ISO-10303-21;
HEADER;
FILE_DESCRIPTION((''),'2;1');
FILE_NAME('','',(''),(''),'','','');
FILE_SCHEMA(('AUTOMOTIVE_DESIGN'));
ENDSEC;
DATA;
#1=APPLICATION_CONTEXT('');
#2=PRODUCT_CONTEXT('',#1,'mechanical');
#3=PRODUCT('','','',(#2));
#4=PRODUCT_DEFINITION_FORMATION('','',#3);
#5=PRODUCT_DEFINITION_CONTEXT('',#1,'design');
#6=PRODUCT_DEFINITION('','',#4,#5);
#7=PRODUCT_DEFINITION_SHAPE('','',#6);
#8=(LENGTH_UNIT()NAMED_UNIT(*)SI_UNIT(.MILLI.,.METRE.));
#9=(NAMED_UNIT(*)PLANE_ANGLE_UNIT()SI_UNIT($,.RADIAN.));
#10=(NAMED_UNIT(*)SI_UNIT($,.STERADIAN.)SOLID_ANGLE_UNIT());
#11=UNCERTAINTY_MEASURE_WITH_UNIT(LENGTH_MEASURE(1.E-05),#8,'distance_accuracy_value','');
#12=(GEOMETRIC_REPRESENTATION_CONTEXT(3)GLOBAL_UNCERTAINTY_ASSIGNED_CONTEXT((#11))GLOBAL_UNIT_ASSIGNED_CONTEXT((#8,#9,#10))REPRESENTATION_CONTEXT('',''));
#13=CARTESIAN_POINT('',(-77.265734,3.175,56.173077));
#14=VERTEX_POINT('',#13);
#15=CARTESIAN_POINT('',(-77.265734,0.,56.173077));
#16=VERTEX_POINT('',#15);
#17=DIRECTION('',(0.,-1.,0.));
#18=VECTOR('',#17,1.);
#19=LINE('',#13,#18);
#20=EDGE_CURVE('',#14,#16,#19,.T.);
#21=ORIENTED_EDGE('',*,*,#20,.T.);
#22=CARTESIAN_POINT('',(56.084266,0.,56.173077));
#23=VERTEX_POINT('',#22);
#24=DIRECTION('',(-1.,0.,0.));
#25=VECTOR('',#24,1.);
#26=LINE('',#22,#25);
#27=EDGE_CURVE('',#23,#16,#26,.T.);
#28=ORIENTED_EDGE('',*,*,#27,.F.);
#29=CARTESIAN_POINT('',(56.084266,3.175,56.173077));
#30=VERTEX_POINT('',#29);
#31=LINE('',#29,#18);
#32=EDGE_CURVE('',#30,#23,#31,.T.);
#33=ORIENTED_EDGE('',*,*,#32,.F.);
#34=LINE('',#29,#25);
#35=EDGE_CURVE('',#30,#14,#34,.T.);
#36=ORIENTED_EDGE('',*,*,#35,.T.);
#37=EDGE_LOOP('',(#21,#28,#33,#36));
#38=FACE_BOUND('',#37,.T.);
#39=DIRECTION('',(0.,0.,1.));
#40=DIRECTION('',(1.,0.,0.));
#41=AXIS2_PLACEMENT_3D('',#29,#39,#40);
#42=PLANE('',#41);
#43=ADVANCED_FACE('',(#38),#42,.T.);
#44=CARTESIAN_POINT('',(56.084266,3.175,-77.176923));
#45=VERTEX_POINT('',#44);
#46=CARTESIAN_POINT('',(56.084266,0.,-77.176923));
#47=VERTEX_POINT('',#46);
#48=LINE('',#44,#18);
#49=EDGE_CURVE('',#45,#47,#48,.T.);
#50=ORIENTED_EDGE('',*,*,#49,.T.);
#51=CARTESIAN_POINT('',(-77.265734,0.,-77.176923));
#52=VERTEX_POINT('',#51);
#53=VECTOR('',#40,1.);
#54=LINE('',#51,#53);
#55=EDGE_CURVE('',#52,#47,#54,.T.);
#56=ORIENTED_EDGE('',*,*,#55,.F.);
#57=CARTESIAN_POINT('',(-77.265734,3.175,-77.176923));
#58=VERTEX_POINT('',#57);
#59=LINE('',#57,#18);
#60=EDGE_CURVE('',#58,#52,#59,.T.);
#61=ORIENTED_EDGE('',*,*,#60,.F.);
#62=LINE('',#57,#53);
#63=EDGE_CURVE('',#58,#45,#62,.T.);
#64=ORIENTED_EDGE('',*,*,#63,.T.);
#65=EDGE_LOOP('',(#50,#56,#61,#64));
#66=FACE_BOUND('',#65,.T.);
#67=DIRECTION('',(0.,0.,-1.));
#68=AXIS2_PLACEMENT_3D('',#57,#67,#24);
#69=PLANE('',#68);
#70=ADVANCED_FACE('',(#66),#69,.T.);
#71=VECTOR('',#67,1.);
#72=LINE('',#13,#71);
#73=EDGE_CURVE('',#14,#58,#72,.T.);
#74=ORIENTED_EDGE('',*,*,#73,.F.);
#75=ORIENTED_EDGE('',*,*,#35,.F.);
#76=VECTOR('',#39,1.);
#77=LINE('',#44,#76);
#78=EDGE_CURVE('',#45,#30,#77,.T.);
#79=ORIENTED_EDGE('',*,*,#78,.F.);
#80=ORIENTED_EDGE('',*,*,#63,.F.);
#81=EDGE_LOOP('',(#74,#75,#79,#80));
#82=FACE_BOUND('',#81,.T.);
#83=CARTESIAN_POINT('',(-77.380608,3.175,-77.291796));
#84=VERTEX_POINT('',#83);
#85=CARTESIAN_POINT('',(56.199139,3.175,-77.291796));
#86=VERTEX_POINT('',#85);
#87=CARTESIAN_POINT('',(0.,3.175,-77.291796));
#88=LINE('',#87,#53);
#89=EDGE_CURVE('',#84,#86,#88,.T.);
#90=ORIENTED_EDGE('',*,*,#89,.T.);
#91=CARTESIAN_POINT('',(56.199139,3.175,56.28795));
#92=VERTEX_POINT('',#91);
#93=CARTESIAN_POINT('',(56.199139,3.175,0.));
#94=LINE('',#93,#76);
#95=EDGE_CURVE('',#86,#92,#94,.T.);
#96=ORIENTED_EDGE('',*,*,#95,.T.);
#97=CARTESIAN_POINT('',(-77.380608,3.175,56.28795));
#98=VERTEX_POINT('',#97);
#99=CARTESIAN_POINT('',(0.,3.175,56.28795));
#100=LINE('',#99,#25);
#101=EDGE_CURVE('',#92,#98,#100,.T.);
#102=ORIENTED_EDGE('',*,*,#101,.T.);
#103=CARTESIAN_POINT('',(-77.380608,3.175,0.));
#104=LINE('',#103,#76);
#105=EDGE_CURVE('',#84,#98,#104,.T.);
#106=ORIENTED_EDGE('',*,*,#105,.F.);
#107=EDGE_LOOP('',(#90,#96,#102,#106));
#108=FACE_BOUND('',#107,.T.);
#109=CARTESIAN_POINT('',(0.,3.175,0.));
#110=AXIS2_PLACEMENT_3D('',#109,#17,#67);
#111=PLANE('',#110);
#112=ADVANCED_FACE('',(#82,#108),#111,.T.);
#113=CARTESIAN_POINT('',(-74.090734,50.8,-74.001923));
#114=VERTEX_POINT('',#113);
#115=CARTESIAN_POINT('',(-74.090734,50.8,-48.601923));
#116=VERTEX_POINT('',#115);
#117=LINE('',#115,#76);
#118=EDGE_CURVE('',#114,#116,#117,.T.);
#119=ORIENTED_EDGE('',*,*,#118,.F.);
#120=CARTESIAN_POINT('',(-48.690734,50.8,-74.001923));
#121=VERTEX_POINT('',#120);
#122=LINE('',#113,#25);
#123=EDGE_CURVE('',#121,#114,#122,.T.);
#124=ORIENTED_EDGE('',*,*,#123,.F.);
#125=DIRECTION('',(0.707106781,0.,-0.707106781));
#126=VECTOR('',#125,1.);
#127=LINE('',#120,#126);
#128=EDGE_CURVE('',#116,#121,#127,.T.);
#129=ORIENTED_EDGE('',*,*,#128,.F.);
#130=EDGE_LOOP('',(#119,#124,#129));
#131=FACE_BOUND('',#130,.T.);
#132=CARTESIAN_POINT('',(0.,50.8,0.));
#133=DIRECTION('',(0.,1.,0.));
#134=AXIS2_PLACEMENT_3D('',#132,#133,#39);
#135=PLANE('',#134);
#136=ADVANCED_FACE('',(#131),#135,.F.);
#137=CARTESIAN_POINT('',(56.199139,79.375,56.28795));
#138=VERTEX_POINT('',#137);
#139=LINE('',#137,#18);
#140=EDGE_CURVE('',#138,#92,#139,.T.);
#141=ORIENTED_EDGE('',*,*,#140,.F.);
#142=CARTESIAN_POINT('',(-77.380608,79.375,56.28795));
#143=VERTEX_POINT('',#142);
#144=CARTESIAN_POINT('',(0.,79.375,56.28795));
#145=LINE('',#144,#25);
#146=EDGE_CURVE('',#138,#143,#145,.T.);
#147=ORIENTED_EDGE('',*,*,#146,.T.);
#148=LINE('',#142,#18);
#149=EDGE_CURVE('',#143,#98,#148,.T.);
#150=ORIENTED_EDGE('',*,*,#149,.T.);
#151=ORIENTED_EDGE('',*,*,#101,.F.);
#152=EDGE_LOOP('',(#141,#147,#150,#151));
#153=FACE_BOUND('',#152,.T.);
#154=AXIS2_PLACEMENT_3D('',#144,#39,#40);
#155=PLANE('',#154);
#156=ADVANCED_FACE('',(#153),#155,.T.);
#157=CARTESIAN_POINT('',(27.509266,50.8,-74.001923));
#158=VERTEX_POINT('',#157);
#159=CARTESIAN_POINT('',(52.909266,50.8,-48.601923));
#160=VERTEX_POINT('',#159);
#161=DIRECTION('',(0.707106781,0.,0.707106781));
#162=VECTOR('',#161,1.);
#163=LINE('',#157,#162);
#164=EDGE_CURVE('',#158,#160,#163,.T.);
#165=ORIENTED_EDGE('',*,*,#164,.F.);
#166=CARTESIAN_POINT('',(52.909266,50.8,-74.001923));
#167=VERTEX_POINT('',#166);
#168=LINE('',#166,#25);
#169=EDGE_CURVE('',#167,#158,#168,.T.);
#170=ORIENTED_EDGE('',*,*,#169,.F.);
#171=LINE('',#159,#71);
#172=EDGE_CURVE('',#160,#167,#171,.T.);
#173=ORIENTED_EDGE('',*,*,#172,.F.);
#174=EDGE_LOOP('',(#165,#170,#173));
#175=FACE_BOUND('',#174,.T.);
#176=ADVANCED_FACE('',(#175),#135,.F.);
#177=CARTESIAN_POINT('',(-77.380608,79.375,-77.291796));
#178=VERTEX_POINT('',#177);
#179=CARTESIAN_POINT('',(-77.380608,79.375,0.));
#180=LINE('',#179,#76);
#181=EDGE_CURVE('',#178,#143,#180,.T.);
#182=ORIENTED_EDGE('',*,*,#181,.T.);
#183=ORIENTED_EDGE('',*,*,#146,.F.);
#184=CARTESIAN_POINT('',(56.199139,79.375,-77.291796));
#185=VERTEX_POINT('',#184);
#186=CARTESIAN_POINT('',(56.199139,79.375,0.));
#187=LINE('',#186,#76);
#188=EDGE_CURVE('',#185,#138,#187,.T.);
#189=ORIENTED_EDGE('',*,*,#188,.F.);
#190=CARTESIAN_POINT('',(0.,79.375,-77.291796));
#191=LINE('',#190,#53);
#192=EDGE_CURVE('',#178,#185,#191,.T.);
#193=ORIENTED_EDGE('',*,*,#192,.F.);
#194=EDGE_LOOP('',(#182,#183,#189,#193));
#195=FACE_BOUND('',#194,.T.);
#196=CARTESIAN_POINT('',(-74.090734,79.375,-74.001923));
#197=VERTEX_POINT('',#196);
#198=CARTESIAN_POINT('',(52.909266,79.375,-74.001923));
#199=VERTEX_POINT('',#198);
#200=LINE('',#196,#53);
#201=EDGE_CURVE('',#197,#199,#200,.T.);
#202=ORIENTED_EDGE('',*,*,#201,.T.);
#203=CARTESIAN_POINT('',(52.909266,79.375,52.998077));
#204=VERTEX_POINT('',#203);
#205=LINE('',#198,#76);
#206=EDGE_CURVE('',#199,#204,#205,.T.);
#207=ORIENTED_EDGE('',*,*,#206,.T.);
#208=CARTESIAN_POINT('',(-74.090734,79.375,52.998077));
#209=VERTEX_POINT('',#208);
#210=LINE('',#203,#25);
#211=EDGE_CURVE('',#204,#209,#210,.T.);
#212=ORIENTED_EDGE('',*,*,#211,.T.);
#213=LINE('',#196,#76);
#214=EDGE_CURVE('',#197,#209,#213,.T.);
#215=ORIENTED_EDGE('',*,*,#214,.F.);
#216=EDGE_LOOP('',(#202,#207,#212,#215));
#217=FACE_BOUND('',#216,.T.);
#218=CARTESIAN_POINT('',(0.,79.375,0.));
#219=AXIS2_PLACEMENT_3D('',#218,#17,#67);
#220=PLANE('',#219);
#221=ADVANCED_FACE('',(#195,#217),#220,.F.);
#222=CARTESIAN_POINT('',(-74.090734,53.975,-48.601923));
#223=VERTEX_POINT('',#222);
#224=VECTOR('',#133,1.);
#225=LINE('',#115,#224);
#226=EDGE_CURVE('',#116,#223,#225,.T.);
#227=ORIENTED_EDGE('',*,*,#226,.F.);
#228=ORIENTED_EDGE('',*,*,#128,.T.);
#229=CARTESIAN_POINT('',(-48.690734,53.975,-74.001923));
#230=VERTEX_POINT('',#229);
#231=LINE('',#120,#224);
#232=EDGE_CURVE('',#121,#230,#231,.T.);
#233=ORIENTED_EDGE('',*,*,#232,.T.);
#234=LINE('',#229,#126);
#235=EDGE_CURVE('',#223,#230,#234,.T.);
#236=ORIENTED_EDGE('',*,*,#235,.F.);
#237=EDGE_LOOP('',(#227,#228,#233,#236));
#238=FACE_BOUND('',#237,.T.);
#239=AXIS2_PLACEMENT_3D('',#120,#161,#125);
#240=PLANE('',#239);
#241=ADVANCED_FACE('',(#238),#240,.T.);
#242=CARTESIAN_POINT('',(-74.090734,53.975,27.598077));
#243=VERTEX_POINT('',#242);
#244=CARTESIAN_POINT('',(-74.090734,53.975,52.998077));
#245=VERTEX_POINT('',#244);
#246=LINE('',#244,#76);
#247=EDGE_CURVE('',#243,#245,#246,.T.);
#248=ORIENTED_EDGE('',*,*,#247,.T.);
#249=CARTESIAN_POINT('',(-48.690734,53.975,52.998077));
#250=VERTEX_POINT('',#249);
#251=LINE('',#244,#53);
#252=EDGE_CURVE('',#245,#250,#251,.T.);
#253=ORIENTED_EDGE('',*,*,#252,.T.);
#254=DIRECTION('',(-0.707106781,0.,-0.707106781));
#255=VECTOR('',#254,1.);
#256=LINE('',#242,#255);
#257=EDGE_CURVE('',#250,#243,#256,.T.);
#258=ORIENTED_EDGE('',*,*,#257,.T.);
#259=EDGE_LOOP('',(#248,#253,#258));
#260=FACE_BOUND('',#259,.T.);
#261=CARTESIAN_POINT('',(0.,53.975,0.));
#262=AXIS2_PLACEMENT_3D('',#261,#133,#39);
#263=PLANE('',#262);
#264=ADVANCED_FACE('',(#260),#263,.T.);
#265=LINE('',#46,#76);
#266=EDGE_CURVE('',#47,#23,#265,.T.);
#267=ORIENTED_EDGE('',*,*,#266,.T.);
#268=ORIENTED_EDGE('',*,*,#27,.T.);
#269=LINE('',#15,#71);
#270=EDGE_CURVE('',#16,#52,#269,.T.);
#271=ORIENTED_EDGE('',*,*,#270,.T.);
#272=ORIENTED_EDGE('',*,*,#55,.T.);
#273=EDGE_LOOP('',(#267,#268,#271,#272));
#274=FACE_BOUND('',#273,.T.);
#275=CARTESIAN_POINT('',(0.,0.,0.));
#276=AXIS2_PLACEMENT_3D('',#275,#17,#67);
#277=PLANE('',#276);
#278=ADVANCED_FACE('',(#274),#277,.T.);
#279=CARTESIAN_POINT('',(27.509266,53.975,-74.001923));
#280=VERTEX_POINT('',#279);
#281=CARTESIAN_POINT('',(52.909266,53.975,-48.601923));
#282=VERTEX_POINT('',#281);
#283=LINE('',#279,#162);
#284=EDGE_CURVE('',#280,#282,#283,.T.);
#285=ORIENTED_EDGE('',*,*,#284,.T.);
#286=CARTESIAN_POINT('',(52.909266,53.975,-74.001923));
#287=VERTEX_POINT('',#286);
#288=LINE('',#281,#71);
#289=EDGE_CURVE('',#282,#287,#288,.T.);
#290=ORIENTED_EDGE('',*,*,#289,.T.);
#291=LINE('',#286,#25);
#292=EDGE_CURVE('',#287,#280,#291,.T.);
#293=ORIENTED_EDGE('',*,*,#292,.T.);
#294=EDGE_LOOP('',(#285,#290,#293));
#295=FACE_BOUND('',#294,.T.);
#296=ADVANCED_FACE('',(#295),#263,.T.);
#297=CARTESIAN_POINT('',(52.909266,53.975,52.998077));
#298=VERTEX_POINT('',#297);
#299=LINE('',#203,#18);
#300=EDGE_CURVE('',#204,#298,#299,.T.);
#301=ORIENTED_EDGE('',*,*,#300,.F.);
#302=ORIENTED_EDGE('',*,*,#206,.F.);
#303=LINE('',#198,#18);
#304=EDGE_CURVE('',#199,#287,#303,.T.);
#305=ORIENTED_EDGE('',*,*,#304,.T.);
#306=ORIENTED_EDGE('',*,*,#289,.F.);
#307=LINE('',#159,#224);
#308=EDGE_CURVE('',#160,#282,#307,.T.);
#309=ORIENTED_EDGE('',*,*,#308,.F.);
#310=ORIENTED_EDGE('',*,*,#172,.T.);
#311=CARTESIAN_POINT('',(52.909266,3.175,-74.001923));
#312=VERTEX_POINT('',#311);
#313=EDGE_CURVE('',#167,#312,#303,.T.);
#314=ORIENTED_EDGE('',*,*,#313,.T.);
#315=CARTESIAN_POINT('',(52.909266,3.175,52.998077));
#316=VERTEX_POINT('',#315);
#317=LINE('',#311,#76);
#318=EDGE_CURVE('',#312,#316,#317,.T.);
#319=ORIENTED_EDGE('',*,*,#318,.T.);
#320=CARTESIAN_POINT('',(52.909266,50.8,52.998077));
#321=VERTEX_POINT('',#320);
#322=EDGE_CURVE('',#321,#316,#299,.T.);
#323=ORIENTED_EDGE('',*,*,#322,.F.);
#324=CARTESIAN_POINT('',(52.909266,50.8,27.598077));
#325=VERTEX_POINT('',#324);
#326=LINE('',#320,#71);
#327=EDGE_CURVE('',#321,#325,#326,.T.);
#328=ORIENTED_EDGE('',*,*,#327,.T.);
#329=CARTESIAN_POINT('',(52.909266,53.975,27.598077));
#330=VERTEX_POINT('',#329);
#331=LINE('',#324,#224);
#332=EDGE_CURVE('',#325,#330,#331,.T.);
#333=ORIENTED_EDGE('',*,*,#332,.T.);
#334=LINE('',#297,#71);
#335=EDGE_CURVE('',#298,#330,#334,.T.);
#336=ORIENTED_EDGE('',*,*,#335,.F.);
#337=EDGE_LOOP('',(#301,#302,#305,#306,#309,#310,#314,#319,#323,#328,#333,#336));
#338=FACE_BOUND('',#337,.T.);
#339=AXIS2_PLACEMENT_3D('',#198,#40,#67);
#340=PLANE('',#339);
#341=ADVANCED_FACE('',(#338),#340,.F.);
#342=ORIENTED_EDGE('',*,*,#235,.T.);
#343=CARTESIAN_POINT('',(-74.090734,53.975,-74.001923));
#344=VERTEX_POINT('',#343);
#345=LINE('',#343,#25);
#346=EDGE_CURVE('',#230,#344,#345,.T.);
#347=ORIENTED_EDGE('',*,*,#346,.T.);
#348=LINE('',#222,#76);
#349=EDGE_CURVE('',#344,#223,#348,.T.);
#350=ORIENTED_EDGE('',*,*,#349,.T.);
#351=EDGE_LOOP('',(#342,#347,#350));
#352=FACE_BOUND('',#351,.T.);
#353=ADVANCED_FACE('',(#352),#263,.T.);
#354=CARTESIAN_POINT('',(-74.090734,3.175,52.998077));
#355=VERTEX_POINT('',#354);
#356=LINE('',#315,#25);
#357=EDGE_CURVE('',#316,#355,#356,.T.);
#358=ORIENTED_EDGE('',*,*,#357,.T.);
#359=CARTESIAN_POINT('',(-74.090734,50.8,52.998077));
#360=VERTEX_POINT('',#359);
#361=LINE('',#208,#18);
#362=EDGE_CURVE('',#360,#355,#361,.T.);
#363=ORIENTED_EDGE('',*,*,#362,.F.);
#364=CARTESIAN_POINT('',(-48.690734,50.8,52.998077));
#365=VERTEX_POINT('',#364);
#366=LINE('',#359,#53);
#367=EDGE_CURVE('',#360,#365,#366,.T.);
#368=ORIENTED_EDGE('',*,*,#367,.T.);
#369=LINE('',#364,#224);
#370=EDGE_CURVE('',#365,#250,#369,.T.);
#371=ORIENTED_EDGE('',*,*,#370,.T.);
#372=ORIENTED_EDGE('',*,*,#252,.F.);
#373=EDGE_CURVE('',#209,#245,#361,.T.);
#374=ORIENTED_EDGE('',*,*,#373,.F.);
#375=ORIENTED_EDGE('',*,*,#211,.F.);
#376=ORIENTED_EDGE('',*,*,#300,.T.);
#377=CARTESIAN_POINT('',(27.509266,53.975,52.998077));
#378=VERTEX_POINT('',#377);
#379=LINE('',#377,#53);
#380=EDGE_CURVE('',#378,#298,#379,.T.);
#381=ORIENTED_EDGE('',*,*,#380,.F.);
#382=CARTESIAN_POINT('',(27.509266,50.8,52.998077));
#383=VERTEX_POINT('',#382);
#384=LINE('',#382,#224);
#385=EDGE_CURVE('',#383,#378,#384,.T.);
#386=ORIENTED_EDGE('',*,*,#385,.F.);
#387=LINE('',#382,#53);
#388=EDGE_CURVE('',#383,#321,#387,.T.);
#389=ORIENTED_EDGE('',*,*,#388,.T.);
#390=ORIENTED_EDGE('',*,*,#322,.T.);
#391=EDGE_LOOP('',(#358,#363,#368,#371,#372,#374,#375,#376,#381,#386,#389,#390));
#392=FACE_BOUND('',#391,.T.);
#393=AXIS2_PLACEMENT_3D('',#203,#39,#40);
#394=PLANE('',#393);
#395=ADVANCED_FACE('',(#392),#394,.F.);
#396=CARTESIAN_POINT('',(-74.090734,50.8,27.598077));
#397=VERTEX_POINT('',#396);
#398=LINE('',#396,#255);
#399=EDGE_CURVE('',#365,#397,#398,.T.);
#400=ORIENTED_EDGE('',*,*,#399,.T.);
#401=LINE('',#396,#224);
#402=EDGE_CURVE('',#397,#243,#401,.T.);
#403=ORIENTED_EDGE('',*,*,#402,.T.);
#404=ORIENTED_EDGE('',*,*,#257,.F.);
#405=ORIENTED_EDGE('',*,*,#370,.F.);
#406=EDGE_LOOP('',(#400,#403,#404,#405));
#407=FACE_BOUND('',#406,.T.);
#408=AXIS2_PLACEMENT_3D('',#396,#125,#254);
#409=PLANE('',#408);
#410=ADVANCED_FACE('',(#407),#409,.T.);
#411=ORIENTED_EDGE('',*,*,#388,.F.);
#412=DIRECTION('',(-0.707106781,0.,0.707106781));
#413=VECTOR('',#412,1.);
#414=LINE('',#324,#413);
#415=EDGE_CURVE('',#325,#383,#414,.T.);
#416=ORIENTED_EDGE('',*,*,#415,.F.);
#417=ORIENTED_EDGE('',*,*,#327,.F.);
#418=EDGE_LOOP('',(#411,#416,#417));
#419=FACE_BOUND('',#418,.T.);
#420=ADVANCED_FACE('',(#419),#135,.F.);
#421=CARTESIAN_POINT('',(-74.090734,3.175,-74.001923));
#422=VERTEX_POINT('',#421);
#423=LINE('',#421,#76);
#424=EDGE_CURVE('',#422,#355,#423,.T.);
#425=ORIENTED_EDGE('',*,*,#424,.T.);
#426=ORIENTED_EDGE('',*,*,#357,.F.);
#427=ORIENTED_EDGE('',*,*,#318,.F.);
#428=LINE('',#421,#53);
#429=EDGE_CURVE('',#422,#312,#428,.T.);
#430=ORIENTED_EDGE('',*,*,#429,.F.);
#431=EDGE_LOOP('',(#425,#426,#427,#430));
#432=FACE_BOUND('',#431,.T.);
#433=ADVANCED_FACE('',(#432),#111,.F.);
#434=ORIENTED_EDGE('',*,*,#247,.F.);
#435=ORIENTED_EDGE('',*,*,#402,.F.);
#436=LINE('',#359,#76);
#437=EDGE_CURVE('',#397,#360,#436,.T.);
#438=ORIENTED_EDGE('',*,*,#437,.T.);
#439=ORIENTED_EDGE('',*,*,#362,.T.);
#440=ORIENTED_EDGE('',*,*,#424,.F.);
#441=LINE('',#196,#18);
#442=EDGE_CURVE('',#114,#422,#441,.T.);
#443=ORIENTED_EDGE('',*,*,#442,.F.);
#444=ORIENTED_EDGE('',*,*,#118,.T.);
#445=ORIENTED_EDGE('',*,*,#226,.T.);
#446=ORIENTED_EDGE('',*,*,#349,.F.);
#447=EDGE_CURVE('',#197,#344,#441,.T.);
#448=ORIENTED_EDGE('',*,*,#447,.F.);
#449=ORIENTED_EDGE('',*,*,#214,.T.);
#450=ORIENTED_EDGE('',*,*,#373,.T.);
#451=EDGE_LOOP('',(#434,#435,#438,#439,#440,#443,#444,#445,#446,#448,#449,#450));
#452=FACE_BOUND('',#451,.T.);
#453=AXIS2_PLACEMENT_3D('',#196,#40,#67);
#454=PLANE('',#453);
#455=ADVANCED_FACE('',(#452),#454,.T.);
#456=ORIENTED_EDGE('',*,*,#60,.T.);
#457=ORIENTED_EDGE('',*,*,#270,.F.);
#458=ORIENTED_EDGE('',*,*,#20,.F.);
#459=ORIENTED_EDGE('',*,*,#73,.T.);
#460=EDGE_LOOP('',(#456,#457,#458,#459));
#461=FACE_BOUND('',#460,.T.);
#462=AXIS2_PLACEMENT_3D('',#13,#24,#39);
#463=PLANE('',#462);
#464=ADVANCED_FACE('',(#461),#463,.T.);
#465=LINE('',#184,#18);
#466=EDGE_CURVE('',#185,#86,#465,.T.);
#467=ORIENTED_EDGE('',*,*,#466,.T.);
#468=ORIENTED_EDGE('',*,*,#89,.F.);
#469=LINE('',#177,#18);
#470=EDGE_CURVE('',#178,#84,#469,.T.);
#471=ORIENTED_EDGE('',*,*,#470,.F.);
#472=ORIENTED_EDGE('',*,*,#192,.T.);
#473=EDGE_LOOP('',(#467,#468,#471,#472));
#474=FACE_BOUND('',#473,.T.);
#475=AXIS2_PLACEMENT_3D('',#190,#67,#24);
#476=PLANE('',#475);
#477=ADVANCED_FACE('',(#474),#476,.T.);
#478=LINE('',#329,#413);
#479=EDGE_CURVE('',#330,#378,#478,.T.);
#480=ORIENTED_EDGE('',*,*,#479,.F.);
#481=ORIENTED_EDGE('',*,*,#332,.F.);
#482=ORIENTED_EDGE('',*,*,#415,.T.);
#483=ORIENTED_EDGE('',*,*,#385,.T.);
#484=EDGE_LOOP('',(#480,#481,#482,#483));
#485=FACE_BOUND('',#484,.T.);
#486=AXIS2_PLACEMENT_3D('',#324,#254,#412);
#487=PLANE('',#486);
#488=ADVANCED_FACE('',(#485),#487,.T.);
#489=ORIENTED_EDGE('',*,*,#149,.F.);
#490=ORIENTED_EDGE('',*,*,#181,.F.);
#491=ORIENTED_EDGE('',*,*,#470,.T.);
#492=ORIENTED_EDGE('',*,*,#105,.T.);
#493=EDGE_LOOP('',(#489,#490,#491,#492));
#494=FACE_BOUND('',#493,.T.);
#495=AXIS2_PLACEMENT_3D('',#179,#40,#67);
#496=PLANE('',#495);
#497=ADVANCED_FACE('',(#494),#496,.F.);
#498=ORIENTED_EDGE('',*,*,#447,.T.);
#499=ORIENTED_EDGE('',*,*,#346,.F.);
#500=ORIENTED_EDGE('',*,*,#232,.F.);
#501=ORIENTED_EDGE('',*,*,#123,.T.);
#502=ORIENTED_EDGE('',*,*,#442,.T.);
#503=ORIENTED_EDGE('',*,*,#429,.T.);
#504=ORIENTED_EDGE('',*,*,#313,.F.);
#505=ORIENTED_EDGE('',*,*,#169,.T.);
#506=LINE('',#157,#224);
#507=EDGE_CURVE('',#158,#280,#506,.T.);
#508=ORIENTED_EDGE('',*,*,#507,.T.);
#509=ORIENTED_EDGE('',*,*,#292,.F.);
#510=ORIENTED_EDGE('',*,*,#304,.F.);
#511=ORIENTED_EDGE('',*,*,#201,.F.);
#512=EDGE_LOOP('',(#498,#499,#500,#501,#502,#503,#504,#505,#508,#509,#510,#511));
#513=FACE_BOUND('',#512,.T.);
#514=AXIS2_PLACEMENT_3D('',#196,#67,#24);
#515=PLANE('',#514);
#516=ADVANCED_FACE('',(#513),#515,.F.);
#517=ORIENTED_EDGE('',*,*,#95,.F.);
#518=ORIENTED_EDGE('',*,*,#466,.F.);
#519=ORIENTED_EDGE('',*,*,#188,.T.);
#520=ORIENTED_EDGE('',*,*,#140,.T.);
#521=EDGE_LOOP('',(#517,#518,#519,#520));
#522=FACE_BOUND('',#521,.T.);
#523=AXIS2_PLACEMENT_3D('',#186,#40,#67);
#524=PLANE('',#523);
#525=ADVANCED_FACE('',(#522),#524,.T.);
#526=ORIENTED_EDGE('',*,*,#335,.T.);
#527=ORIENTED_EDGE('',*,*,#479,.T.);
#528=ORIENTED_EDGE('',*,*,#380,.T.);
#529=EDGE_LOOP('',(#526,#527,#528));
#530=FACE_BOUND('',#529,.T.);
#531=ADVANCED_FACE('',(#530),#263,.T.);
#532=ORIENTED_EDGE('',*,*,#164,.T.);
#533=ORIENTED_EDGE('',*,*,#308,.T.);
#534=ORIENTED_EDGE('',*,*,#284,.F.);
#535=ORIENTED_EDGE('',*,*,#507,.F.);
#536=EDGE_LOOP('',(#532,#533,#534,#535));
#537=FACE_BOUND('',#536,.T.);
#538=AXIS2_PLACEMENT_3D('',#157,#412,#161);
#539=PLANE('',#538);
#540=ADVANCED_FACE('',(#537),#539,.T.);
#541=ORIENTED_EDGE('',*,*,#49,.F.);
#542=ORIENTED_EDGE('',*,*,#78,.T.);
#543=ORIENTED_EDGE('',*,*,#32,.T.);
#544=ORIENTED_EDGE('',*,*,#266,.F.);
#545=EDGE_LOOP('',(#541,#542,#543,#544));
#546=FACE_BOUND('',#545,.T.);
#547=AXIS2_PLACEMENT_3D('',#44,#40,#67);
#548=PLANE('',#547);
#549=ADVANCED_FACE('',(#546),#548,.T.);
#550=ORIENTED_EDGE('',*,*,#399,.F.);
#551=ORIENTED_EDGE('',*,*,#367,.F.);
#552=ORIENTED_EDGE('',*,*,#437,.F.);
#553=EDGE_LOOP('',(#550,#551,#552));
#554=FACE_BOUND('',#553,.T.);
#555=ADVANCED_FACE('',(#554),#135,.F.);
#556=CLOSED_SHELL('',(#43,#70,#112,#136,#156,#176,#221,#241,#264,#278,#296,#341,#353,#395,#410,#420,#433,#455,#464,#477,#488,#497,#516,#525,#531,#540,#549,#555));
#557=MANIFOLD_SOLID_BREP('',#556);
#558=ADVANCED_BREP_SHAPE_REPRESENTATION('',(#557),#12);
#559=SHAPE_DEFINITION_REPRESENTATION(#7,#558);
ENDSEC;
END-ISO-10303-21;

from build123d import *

# Parameters (mm, degrees)
SKETCH1_W           = 133.35
SKETCH1_H           = 133.35
BOSS_EXTRUDE2_DEPTH = 3.175
SKETCH2_W           = 133.579746761
SKETCH2_H           = 133.57974676
SKETCH2_W_2         = 127
SKETCH2_H_2         = 127
EXTRUDE_THIN1_DEPTH = 76.2
BOSS_EXTRUDE3_START = -25.4
BOSS_EXTRUDE3_DEPTH = 3.175


with BuildPart() as part:
    # Sketch1 → Boss-Extrude2 (new body)
    with BuildSketch(Plane(origin=(0, 0, 0), x_dir=(1, 0, 0), z_dir=(0, 1, 0))):
        with Locations((-10.590734266, 10.501923077)):
            Rectangle(SKETCH1_W, SKETCH1_H)
    extrude(amount=BOSS_EXTRUDE2_DEPTH)

    # Sketch2 → Extrude-Thin1 (add)
    with BuildSketch(Plane(origin=(0, 3.175, 0), x_dir=(1, 0, 0), z_dir=(0, 1, 0))):
        with Locations((-10.590734266, 10.501923077)):
            Rectangle(SKETCH2_W, SKETCH2_H)
        with Locations((-10.590734266, 10.501923077)):
            Rectangle(SKETCH2_W_2, SKETCH2_H_2, mode=Mode.SUBTRACT)
    extrude(amount=EXTRUDE_THIN1_DEPTH)

    # Sketch4 → Boss-Extrude3 (add)
    with BuildSketch(Plane(origin=(0, 79.375, 0), x_dir=(1, 0, 0), z_dir=(0, 1, 0)).offset(BOSS_EXTRUDE3_START)):
        Polygon((-48.690734266, 74.001923077), (-74.090734266, 48.601923077), (-74.090734266, 74.001923077), align=None)
        Polygon((-74.090734266, -52.998076923), (-74.090734266, -27.598076923), (-48.690734266, -52.998076923), align=None)
        Polygon((52.909265734, 74.001923077), (27.509265734, 74.001923077), (52.909265734, 48.601923077), align=None)
        Polygon((52.909265734, -52.998076923), (52.909265734, -27.598076923), (27.509265734, -52.998076923), align=None)
    extrude(amount=-BOSS_EXTRUDE3_DEPTH)


solid = part.part
